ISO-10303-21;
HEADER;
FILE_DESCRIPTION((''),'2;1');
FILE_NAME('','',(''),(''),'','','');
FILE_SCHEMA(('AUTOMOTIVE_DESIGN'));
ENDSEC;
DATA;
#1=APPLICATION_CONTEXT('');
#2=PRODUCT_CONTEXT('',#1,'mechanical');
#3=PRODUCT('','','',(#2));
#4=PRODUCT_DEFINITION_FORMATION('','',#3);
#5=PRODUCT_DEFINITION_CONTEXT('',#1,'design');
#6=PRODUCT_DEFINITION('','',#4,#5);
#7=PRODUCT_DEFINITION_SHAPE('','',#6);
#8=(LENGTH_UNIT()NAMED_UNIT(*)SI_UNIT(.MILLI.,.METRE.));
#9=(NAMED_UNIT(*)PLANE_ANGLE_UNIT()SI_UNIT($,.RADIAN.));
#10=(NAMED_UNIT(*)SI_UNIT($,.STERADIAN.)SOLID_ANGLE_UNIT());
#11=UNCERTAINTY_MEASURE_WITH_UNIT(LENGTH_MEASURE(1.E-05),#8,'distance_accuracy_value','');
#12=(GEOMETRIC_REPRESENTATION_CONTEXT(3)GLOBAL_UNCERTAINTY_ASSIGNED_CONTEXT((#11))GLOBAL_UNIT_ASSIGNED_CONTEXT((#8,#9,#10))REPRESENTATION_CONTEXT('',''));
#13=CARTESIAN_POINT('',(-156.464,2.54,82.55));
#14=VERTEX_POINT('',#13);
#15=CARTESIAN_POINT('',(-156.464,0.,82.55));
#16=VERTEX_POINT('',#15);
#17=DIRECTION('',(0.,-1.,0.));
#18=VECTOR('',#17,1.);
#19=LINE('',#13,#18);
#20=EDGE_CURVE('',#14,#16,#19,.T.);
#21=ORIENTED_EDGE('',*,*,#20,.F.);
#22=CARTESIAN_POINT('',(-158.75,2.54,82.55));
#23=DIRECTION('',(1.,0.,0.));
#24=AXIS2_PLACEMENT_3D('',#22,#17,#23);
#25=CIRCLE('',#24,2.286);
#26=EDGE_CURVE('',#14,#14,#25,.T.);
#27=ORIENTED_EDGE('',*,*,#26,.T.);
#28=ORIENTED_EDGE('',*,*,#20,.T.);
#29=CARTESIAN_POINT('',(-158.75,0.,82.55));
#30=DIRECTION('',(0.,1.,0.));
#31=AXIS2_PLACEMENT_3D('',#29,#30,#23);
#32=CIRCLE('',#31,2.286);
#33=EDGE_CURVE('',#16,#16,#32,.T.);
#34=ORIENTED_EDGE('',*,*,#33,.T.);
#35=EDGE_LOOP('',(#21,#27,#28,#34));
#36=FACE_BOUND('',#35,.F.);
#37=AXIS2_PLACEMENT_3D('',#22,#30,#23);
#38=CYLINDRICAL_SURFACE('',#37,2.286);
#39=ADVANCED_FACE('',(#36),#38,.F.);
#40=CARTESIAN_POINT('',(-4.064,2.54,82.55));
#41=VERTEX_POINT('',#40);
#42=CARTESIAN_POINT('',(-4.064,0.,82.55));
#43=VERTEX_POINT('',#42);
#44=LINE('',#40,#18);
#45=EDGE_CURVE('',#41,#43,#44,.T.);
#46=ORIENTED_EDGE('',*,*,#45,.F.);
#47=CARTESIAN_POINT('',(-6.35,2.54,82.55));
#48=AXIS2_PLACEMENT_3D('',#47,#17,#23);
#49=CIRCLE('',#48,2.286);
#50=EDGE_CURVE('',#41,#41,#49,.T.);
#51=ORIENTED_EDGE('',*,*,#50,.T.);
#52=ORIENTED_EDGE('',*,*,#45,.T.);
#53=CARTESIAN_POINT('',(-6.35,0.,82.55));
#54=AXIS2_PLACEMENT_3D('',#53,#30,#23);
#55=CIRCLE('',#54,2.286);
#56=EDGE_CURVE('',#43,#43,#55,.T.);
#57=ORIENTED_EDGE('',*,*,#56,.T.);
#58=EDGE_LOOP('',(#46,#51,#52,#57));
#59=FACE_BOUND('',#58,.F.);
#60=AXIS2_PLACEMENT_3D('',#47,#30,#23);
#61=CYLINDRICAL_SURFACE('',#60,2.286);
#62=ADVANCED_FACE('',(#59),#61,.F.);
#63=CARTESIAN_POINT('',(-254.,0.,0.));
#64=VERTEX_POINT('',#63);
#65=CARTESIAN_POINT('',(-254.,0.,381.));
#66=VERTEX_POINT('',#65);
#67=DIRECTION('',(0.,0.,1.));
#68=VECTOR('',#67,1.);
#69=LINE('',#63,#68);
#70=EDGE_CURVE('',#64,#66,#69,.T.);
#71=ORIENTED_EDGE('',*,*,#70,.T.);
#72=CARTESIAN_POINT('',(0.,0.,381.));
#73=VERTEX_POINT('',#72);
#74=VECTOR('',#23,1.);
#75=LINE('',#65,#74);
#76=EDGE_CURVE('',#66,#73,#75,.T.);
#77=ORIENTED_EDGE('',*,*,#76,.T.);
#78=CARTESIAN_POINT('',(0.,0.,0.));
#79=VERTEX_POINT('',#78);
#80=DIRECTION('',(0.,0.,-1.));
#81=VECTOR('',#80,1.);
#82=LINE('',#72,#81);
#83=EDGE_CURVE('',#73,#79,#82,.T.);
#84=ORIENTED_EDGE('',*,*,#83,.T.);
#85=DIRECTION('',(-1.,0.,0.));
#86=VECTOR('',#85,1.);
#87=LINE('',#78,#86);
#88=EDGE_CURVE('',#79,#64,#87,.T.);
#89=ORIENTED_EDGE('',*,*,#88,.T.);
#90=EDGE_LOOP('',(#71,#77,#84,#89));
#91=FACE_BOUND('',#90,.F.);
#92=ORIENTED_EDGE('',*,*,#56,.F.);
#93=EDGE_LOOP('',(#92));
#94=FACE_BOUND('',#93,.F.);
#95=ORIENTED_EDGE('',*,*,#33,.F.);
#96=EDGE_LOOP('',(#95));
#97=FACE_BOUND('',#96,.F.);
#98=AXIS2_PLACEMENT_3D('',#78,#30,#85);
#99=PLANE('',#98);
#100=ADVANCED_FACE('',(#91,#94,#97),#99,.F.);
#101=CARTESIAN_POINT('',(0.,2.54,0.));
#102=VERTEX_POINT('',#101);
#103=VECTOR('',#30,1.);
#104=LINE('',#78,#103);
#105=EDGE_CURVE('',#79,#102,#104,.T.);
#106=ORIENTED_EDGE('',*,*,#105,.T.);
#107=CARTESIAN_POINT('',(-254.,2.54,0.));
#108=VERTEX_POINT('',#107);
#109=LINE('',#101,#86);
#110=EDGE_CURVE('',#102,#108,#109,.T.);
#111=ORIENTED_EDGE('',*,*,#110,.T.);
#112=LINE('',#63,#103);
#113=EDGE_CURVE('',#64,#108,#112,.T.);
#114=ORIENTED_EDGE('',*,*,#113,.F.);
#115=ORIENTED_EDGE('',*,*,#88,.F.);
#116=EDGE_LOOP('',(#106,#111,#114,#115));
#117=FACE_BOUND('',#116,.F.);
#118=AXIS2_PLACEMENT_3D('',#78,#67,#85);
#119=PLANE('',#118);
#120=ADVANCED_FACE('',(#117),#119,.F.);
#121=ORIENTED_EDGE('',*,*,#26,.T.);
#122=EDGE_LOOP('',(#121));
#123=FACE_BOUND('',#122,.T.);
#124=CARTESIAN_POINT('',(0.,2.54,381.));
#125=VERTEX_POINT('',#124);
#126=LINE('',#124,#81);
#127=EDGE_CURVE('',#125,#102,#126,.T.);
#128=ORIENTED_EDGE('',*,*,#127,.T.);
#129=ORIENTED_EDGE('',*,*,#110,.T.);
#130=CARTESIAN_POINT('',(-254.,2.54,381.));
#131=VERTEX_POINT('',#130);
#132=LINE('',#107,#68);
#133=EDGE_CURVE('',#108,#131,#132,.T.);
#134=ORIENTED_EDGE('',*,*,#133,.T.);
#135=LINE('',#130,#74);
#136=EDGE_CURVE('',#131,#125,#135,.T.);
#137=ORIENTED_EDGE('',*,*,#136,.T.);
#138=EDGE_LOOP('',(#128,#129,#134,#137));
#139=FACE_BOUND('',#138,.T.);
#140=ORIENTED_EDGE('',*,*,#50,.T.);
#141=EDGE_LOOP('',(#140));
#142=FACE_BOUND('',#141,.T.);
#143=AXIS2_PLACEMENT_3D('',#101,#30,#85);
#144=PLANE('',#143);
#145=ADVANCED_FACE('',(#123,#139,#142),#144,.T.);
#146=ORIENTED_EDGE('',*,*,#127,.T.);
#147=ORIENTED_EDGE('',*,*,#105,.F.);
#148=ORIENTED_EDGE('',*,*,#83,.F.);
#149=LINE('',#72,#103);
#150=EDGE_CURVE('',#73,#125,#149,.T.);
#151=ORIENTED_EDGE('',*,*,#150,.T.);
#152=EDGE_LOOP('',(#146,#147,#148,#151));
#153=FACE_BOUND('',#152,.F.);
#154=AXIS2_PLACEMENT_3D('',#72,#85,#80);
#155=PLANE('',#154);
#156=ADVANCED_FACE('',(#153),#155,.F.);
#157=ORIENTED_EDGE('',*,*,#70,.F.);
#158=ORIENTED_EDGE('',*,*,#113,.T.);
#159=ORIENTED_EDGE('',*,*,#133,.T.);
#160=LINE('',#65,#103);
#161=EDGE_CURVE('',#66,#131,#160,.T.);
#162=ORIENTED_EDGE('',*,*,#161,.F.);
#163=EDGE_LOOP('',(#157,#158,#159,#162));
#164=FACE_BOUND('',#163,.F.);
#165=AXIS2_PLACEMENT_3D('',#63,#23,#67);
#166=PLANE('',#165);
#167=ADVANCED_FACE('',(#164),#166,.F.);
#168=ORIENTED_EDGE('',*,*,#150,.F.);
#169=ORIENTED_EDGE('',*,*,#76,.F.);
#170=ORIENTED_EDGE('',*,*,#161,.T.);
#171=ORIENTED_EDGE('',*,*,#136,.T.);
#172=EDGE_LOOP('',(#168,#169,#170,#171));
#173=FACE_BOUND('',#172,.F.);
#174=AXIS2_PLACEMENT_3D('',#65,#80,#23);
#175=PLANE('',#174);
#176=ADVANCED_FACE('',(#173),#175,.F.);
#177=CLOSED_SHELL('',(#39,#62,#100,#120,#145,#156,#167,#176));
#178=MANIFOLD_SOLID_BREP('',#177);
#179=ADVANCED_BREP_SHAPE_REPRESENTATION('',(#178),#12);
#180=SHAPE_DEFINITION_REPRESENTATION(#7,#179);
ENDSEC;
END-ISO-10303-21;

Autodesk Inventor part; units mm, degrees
ref_plane "YZ Plane" through (0, 0, 0) normal (1, 0, 0) x (0, 1, 0)
ref_plane "XZ Plane" through (0, 0, 0) normal (0, 1, 0) x (-1, 0, 0)
ref_plane "XY Plane" through (0, 0, 0) normal (0, 0, 1) x (1, 0, 0)
sketch "Sketch1" plane through (0, 0, 0) normal (0, 1, 0) x (-1, 0, 0)
  line L0 (0, 0) -> (254, 0)
  line L1 (254, 0) -> (254, 381)
  line L2 (254, 381) -> (0, 381)
  line L3 (0, 381) -> (0, 0)
  dimension "d0" = 254
  dimension "d1" = 381
extrude "Extrusion1" add sketch "Sketch1" along normal blind 2.54
sketch "Sketch2" plane through (0, 2.54, 0) normal (0, 1, 0) x (1, 0, 0)
  line L0 (0, -381) -> (0, 0) projected
  line L1 (0, 0) -> (0, -82.55)
  line L2 (0, -82.55) -> (-82.55, -82.55)
  circle A0 centre (-82.55, -82.55) radius 76.2
  circle A1 centre (-82.55, -82.55) radius 72.39
  circle A2 centre (-82.55, -82.55) radius 69.85
  circle A3 centre (-158.75, -82.55) radius 2.286
  circle A4 centre (-6.35, -82.55) radius 2.286
  dimension "d4" = 82.55
  dimension "d5" = 82.55
  dimension "d6" = 152.4
  dimension "d7" = 144.78
  dimension "d8" = 139.7
  dimension "d9" = 4.572
  dimension "d10" = 4.572
extrude "Extrusion2" cut sketch "Sketch2" against normal blind 2.54 contours A4 A0 L2 | L2 A0 A4 | A0 A4 L2 | L2 A4 A0 | A3 A0 | A0 A3
properties part number "NewShooterBoard"
